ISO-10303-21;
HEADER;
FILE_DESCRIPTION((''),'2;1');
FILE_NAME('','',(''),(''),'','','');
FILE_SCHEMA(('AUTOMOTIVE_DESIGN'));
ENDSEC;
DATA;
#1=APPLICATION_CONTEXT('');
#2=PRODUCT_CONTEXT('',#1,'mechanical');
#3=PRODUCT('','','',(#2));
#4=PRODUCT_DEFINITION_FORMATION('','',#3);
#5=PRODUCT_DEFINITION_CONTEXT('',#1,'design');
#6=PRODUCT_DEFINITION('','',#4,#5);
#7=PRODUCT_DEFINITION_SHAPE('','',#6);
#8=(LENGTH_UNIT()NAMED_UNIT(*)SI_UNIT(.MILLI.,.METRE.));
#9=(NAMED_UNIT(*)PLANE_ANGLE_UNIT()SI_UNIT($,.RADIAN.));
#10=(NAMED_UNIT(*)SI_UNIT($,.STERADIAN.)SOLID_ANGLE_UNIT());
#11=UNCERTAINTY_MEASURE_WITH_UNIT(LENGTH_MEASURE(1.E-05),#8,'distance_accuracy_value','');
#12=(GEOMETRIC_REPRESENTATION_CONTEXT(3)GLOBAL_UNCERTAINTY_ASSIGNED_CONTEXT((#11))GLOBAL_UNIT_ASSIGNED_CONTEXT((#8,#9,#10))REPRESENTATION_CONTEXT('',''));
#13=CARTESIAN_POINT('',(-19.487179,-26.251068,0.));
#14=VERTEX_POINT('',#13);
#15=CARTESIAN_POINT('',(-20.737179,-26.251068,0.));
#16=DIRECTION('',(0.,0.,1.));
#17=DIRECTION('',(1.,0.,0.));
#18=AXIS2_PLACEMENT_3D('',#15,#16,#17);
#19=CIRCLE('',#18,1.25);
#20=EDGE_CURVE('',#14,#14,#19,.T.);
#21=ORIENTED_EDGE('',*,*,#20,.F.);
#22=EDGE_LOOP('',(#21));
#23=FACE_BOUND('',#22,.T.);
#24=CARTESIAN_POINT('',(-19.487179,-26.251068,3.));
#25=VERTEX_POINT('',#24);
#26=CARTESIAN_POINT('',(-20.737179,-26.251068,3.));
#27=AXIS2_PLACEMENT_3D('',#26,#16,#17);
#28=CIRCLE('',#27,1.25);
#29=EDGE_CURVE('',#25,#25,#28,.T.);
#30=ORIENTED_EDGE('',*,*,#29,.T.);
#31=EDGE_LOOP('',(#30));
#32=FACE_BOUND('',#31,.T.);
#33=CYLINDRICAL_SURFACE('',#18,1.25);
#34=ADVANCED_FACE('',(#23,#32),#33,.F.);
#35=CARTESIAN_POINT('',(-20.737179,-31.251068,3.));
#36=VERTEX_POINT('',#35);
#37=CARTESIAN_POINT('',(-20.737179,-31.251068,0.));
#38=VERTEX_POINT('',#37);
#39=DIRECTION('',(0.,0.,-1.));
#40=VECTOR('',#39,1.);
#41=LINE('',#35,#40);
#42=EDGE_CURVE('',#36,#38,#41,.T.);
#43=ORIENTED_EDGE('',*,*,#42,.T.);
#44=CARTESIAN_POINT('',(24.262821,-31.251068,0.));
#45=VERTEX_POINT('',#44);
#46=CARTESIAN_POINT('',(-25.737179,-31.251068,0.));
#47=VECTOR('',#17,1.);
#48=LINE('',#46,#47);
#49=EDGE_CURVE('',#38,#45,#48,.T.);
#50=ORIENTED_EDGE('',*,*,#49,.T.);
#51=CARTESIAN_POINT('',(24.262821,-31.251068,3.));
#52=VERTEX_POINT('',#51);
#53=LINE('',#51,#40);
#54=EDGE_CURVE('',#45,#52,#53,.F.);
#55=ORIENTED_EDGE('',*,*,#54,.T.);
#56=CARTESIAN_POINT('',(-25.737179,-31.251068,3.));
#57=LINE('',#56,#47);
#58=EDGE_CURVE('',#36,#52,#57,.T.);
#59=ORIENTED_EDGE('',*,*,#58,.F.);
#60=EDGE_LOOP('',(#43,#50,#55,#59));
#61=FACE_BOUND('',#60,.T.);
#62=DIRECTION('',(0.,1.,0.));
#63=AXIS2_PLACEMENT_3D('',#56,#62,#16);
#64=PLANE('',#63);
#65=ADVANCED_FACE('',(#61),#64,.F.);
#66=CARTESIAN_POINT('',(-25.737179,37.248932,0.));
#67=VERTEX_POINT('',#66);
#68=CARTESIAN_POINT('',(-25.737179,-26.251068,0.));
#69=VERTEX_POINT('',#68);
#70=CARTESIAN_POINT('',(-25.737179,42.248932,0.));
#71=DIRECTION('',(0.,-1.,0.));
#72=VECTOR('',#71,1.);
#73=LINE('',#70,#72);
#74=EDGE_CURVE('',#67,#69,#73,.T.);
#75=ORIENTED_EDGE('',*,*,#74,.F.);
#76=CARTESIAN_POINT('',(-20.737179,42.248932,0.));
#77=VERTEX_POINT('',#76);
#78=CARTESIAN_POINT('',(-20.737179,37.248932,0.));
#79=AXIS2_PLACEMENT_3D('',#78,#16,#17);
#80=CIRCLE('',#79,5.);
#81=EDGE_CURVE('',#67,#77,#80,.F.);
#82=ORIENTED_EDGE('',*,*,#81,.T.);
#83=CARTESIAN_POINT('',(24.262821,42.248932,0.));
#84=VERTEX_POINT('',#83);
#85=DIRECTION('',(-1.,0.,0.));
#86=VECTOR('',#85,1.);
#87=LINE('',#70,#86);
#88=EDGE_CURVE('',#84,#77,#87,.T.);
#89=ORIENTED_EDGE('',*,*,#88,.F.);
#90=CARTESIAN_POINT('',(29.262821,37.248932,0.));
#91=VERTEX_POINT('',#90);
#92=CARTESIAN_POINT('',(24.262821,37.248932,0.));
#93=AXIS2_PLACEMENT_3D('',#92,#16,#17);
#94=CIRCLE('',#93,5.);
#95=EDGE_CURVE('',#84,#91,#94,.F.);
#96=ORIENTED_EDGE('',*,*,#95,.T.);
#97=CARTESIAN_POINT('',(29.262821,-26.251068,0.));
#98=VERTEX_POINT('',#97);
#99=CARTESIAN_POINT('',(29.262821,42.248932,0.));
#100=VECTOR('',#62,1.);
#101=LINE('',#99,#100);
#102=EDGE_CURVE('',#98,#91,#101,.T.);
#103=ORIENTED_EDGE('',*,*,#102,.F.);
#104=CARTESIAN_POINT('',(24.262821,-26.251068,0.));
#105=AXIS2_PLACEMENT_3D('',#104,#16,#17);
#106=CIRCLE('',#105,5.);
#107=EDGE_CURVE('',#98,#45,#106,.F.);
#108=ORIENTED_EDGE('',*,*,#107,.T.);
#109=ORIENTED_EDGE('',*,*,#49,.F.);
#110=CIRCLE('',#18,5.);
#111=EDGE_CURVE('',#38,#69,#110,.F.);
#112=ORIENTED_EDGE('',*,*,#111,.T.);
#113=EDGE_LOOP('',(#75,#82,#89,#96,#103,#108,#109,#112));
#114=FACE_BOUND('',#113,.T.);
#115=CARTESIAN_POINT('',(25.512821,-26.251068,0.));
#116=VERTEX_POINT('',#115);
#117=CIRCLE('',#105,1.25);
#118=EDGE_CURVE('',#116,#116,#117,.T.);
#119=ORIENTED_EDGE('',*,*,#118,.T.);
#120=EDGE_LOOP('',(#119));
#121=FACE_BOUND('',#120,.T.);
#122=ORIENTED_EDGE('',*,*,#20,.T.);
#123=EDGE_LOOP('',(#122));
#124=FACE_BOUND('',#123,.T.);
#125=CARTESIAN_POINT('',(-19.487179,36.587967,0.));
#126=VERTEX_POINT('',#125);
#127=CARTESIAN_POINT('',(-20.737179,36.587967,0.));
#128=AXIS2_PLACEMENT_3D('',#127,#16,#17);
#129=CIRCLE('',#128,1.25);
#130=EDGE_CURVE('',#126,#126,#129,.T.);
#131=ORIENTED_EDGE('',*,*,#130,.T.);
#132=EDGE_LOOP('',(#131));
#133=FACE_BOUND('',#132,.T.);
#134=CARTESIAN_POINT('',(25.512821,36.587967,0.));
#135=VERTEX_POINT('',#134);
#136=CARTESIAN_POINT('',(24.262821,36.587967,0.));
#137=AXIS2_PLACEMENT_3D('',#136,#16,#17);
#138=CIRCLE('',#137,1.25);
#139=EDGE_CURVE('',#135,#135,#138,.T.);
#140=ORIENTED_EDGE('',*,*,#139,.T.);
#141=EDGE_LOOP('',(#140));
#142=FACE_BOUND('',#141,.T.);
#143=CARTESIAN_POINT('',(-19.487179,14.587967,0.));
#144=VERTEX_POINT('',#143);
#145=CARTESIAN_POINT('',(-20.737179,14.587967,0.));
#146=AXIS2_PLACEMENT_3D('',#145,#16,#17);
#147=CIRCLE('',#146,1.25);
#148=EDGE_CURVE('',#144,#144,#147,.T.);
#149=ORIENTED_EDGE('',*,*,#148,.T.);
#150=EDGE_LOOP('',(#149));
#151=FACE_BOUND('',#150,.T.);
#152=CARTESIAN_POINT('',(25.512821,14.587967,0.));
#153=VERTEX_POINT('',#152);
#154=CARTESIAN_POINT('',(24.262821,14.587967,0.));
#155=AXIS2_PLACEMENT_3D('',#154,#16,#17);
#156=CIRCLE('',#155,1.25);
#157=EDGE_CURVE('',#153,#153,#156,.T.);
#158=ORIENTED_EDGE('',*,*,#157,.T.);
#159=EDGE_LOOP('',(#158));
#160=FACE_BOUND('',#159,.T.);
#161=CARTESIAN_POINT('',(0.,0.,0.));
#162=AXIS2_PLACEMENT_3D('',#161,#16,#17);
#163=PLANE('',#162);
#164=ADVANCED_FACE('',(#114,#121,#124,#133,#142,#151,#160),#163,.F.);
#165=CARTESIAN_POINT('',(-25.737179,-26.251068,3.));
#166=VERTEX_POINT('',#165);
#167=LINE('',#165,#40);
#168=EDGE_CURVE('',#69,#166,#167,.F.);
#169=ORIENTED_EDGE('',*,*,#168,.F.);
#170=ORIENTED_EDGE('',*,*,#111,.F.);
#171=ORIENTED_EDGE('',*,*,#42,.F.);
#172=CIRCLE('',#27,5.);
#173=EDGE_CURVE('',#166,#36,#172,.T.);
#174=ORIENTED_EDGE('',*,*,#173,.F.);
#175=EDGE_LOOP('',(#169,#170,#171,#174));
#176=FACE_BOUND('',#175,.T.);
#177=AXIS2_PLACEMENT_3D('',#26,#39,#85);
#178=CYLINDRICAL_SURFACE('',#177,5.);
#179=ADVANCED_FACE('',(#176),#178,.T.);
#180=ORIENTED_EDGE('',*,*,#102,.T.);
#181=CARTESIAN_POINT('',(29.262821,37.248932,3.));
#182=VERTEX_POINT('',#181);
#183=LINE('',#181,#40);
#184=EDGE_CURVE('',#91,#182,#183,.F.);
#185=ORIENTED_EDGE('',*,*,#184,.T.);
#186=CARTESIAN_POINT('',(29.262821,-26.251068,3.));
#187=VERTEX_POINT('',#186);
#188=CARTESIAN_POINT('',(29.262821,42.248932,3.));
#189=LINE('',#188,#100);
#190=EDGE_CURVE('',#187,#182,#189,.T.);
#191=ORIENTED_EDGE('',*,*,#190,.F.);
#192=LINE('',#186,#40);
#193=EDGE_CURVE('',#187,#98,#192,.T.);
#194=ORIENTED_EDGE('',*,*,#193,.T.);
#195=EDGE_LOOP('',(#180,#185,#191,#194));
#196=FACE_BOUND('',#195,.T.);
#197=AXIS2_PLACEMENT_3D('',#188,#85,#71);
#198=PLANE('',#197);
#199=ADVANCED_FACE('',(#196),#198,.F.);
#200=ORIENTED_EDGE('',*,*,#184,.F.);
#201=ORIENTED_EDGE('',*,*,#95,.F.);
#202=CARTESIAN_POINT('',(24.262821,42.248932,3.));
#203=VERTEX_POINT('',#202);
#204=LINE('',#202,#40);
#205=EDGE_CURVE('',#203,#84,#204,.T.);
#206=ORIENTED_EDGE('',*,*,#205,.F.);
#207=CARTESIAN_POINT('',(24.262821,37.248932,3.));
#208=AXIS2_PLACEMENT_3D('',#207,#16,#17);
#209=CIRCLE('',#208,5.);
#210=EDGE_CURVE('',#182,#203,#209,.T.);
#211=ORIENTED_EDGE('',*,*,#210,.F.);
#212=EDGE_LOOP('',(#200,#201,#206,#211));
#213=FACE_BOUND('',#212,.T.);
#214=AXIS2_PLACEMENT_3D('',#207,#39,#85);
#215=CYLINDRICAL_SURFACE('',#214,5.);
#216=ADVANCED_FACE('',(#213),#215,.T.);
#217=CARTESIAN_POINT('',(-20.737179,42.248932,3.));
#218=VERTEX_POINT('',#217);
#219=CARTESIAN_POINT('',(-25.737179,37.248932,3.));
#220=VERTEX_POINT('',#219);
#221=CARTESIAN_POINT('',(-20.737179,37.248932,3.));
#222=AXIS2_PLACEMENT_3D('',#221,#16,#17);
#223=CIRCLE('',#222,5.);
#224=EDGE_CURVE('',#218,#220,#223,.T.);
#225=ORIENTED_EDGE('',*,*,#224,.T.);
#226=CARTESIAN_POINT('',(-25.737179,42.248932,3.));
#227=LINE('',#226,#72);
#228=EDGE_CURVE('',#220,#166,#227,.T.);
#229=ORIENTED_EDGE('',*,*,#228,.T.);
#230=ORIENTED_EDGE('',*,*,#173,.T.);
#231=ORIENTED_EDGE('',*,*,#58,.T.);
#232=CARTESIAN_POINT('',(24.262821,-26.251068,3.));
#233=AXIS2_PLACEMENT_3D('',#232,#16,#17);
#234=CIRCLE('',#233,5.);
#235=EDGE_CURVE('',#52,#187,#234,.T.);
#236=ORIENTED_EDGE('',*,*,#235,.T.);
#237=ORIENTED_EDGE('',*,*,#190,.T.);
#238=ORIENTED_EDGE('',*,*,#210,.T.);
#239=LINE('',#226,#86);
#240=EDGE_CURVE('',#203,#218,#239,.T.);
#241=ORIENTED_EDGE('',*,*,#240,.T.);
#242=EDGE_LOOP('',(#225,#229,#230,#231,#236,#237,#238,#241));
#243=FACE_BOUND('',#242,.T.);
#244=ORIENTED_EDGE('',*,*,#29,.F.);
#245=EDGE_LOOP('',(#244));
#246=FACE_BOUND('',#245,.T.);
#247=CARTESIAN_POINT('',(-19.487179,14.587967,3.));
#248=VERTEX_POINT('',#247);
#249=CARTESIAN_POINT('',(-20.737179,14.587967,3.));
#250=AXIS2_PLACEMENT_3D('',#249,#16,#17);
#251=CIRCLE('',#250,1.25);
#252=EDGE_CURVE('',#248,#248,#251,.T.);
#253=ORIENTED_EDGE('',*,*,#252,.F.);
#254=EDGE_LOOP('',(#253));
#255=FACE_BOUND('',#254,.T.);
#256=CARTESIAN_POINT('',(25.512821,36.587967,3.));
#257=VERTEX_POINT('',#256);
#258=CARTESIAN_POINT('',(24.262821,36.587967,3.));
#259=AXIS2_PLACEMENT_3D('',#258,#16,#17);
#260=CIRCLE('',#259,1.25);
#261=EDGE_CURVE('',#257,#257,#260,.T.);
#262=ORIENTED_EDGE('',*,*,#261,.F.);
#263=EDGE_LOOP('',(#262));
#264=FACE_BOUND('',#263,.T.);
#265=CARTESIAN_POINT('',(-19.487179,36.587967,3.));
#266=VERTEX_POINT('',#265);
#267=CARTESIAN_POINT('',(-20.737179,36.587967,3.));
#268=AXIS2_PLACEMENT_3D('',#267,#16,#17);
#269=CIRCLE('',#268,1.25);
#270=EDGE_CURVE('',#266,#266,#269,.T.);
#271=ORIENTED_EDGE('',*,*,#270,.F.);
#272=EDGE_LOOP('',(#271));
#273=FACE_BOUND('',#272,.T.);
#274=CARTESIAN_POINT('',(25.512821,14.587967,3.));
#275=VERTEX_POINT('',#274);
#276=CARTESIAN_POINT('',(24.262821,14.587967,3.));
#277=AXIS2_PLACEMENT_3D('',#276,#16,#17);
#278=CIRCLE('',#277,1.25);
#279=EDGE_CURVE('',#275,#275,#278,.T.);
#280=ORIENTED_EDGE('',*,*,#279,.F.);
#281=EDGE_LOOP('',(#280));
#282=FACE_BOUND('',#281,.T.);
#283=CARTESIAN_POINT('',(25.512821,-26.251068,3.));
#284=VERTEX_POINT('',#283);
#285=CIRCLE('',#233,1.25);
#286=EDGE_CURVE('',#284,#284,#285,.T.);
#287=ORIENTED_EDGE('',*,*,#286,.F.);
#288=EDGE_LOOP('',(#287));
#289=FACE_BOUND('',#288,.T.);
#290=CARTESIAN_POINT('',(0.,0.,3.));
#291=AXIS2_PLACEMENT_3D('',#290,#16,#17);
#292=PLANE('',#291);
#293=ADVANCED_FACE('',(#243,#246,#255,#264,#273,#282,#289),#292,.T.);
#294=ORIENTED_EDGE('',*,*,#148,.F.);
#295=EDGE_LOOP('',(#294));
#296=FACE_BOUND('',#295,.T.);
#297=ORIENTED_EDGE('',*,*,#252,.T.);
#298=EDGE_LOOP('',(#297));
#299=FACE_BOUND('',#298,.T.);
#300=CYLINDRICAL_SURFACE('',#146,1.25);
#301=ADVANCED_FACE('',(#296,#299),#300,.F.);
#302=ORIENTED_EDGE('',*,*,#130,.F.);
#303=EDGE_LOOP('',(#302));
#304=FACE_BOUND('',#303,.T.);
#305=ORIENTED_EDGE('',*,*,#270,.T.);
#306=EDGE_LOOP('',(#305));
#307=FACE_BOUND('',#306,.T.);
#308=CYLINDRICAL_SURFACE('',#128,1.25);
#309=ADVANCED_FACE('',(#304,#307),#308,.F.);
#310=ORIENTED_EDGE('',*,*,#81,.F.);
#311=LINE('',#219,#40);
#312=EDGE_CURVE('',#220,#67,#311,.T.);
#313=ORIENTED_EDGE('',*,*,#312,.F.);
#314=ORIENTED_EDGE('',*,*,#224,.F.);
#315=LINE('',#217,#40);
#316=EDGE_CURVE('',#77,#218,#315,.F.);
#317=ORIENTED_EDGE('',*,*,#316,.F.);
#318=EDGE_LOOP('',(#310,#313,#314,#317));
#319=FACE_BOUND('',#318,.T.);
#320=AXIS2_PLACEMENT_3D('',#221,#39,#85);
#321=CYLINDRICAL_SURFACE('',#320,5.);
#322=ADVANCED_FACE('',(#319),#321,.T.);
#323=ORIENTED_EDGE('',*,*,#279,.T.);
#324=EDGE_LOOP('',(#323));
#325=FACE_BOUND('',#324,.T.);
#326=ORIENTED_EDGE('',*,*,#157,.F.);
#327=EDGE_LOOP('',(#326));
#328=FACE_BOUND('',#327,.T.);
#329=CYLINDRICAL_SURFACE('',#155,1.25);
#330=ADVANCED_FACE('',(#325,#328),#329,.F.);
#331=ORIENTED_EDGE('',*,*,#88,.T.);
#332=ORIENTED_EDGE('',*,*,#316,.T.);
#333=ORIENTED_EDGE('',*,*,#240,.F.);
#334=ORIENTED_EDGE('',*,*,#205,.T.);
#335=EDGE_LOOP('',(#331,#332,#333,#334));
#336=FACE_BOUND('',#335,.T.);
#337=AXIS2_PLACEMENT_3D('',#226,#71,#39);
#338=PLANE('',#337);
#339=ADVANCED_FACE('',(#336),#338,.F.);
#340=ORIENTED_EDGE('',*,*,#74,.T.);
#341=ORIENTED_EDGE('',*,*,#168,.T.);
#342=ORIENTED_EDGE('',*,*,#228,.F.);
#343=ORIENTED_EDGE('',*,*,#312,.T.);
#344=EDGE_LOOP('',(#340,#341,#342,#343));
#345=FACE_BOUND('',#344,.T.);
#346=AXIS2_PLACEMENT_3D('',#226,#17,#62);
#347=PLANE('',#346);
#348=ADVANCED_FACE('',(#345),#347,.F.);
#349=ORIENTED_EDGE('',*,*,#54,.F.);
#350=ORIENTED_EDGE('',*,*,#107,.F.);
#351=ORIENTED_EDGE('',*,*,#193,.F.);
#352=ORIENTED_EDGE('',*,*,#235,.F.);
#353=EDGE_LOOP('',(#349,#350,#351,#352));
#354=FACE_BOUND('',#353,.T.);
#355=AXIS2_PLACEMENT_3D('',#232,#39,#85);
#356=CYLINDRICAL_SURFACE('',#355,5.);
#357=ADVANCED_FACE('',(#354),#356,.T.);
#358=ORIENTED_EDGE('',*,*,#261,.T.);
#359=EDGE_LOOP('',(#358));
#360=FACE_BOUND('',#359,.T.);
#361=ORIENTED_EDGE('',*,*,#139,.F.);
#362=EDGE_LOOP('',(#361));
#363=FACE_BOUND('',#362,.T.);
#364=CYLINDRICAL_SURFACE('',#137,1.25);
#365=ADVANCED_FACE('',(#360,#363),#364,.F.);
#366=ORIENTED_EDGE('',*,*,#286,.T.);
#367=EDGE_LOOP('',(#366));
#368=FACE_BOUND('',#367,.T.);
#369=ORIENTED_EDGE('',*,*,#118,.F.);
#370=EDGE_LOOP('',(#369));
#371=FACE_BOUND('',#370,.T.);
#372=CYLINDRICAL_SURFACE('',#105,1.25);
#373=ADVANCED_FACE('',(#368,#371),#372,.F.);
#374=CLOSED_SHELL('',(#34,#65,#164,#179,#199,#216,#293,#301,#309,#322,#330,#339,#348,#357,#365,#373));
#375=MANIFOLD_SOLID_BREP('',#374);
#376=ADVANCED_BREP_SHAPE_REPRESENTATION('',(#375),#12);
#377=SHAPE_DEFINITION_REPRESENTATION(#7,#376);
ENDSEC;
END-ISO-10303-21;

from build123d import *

# Parameters (mm, degrees)
SKETCH1_W           = 55
SKETCH1_H           = 73.5
BOSS_EXTRUDE1_DEPTH = 3
SKETCH2_R           = 1.25
CUT_EXTRUDE1_DEPTH  = 3
FILLET1_R           = 5


with BuildPart() as part:
    # Sketch1 → Boss-Extrude1 (new body)
    with BuildSketch(Plane.XY):
        with Locations((1.762820513, 5.498931624)):
            Rectangle(SKETCH1_W, SKETCH1_H)
    extrude(amount=BOSS_EXTRUDE1_DEPTH)

    # Sketch2 → Cut-Extrude1 (cut)
    with BuildSketch(Plane.XY.offset(3)):
        with Locations((-20.737179487, 36.587967336)):
            Circle(SKETCH2_R)
        with Locations((24.262820513, 36.587967336)):
            Circle(SKETCH2_R)
        with Locations((-20.737179487, 14.587967336)):
            Circle(SKETCH2_R)
        with Locations((24.262820513, 14.587967336)):
            Circle(SKETCH2_R)
        with Locations((-20.737179487, -26.251068376)):
            Circle(SKETCH2_R)
        with Locations((24.262820513, -26.251068376)):
            Circle(SKETCH2_R)
    extrude(amount=-CUT_EXTRUDE1_DEPTH, mode=Mode.SUBTRACT)

    # Fillet1
    fillet1_edges = [part.edges().sort_by_distance(p)[0] for p in [
        (-25.737179487, 42.248931624, 1.5),
        (29.262820513, 42.248931624, 1.5),
        (29.262820513, -31.251068376, 1.5),
        (-25.737179487, -31.251068376, 1.5),
    ]]
    fillet(fillet1_edges, radius=FILLET1_R)


solid = part.part
